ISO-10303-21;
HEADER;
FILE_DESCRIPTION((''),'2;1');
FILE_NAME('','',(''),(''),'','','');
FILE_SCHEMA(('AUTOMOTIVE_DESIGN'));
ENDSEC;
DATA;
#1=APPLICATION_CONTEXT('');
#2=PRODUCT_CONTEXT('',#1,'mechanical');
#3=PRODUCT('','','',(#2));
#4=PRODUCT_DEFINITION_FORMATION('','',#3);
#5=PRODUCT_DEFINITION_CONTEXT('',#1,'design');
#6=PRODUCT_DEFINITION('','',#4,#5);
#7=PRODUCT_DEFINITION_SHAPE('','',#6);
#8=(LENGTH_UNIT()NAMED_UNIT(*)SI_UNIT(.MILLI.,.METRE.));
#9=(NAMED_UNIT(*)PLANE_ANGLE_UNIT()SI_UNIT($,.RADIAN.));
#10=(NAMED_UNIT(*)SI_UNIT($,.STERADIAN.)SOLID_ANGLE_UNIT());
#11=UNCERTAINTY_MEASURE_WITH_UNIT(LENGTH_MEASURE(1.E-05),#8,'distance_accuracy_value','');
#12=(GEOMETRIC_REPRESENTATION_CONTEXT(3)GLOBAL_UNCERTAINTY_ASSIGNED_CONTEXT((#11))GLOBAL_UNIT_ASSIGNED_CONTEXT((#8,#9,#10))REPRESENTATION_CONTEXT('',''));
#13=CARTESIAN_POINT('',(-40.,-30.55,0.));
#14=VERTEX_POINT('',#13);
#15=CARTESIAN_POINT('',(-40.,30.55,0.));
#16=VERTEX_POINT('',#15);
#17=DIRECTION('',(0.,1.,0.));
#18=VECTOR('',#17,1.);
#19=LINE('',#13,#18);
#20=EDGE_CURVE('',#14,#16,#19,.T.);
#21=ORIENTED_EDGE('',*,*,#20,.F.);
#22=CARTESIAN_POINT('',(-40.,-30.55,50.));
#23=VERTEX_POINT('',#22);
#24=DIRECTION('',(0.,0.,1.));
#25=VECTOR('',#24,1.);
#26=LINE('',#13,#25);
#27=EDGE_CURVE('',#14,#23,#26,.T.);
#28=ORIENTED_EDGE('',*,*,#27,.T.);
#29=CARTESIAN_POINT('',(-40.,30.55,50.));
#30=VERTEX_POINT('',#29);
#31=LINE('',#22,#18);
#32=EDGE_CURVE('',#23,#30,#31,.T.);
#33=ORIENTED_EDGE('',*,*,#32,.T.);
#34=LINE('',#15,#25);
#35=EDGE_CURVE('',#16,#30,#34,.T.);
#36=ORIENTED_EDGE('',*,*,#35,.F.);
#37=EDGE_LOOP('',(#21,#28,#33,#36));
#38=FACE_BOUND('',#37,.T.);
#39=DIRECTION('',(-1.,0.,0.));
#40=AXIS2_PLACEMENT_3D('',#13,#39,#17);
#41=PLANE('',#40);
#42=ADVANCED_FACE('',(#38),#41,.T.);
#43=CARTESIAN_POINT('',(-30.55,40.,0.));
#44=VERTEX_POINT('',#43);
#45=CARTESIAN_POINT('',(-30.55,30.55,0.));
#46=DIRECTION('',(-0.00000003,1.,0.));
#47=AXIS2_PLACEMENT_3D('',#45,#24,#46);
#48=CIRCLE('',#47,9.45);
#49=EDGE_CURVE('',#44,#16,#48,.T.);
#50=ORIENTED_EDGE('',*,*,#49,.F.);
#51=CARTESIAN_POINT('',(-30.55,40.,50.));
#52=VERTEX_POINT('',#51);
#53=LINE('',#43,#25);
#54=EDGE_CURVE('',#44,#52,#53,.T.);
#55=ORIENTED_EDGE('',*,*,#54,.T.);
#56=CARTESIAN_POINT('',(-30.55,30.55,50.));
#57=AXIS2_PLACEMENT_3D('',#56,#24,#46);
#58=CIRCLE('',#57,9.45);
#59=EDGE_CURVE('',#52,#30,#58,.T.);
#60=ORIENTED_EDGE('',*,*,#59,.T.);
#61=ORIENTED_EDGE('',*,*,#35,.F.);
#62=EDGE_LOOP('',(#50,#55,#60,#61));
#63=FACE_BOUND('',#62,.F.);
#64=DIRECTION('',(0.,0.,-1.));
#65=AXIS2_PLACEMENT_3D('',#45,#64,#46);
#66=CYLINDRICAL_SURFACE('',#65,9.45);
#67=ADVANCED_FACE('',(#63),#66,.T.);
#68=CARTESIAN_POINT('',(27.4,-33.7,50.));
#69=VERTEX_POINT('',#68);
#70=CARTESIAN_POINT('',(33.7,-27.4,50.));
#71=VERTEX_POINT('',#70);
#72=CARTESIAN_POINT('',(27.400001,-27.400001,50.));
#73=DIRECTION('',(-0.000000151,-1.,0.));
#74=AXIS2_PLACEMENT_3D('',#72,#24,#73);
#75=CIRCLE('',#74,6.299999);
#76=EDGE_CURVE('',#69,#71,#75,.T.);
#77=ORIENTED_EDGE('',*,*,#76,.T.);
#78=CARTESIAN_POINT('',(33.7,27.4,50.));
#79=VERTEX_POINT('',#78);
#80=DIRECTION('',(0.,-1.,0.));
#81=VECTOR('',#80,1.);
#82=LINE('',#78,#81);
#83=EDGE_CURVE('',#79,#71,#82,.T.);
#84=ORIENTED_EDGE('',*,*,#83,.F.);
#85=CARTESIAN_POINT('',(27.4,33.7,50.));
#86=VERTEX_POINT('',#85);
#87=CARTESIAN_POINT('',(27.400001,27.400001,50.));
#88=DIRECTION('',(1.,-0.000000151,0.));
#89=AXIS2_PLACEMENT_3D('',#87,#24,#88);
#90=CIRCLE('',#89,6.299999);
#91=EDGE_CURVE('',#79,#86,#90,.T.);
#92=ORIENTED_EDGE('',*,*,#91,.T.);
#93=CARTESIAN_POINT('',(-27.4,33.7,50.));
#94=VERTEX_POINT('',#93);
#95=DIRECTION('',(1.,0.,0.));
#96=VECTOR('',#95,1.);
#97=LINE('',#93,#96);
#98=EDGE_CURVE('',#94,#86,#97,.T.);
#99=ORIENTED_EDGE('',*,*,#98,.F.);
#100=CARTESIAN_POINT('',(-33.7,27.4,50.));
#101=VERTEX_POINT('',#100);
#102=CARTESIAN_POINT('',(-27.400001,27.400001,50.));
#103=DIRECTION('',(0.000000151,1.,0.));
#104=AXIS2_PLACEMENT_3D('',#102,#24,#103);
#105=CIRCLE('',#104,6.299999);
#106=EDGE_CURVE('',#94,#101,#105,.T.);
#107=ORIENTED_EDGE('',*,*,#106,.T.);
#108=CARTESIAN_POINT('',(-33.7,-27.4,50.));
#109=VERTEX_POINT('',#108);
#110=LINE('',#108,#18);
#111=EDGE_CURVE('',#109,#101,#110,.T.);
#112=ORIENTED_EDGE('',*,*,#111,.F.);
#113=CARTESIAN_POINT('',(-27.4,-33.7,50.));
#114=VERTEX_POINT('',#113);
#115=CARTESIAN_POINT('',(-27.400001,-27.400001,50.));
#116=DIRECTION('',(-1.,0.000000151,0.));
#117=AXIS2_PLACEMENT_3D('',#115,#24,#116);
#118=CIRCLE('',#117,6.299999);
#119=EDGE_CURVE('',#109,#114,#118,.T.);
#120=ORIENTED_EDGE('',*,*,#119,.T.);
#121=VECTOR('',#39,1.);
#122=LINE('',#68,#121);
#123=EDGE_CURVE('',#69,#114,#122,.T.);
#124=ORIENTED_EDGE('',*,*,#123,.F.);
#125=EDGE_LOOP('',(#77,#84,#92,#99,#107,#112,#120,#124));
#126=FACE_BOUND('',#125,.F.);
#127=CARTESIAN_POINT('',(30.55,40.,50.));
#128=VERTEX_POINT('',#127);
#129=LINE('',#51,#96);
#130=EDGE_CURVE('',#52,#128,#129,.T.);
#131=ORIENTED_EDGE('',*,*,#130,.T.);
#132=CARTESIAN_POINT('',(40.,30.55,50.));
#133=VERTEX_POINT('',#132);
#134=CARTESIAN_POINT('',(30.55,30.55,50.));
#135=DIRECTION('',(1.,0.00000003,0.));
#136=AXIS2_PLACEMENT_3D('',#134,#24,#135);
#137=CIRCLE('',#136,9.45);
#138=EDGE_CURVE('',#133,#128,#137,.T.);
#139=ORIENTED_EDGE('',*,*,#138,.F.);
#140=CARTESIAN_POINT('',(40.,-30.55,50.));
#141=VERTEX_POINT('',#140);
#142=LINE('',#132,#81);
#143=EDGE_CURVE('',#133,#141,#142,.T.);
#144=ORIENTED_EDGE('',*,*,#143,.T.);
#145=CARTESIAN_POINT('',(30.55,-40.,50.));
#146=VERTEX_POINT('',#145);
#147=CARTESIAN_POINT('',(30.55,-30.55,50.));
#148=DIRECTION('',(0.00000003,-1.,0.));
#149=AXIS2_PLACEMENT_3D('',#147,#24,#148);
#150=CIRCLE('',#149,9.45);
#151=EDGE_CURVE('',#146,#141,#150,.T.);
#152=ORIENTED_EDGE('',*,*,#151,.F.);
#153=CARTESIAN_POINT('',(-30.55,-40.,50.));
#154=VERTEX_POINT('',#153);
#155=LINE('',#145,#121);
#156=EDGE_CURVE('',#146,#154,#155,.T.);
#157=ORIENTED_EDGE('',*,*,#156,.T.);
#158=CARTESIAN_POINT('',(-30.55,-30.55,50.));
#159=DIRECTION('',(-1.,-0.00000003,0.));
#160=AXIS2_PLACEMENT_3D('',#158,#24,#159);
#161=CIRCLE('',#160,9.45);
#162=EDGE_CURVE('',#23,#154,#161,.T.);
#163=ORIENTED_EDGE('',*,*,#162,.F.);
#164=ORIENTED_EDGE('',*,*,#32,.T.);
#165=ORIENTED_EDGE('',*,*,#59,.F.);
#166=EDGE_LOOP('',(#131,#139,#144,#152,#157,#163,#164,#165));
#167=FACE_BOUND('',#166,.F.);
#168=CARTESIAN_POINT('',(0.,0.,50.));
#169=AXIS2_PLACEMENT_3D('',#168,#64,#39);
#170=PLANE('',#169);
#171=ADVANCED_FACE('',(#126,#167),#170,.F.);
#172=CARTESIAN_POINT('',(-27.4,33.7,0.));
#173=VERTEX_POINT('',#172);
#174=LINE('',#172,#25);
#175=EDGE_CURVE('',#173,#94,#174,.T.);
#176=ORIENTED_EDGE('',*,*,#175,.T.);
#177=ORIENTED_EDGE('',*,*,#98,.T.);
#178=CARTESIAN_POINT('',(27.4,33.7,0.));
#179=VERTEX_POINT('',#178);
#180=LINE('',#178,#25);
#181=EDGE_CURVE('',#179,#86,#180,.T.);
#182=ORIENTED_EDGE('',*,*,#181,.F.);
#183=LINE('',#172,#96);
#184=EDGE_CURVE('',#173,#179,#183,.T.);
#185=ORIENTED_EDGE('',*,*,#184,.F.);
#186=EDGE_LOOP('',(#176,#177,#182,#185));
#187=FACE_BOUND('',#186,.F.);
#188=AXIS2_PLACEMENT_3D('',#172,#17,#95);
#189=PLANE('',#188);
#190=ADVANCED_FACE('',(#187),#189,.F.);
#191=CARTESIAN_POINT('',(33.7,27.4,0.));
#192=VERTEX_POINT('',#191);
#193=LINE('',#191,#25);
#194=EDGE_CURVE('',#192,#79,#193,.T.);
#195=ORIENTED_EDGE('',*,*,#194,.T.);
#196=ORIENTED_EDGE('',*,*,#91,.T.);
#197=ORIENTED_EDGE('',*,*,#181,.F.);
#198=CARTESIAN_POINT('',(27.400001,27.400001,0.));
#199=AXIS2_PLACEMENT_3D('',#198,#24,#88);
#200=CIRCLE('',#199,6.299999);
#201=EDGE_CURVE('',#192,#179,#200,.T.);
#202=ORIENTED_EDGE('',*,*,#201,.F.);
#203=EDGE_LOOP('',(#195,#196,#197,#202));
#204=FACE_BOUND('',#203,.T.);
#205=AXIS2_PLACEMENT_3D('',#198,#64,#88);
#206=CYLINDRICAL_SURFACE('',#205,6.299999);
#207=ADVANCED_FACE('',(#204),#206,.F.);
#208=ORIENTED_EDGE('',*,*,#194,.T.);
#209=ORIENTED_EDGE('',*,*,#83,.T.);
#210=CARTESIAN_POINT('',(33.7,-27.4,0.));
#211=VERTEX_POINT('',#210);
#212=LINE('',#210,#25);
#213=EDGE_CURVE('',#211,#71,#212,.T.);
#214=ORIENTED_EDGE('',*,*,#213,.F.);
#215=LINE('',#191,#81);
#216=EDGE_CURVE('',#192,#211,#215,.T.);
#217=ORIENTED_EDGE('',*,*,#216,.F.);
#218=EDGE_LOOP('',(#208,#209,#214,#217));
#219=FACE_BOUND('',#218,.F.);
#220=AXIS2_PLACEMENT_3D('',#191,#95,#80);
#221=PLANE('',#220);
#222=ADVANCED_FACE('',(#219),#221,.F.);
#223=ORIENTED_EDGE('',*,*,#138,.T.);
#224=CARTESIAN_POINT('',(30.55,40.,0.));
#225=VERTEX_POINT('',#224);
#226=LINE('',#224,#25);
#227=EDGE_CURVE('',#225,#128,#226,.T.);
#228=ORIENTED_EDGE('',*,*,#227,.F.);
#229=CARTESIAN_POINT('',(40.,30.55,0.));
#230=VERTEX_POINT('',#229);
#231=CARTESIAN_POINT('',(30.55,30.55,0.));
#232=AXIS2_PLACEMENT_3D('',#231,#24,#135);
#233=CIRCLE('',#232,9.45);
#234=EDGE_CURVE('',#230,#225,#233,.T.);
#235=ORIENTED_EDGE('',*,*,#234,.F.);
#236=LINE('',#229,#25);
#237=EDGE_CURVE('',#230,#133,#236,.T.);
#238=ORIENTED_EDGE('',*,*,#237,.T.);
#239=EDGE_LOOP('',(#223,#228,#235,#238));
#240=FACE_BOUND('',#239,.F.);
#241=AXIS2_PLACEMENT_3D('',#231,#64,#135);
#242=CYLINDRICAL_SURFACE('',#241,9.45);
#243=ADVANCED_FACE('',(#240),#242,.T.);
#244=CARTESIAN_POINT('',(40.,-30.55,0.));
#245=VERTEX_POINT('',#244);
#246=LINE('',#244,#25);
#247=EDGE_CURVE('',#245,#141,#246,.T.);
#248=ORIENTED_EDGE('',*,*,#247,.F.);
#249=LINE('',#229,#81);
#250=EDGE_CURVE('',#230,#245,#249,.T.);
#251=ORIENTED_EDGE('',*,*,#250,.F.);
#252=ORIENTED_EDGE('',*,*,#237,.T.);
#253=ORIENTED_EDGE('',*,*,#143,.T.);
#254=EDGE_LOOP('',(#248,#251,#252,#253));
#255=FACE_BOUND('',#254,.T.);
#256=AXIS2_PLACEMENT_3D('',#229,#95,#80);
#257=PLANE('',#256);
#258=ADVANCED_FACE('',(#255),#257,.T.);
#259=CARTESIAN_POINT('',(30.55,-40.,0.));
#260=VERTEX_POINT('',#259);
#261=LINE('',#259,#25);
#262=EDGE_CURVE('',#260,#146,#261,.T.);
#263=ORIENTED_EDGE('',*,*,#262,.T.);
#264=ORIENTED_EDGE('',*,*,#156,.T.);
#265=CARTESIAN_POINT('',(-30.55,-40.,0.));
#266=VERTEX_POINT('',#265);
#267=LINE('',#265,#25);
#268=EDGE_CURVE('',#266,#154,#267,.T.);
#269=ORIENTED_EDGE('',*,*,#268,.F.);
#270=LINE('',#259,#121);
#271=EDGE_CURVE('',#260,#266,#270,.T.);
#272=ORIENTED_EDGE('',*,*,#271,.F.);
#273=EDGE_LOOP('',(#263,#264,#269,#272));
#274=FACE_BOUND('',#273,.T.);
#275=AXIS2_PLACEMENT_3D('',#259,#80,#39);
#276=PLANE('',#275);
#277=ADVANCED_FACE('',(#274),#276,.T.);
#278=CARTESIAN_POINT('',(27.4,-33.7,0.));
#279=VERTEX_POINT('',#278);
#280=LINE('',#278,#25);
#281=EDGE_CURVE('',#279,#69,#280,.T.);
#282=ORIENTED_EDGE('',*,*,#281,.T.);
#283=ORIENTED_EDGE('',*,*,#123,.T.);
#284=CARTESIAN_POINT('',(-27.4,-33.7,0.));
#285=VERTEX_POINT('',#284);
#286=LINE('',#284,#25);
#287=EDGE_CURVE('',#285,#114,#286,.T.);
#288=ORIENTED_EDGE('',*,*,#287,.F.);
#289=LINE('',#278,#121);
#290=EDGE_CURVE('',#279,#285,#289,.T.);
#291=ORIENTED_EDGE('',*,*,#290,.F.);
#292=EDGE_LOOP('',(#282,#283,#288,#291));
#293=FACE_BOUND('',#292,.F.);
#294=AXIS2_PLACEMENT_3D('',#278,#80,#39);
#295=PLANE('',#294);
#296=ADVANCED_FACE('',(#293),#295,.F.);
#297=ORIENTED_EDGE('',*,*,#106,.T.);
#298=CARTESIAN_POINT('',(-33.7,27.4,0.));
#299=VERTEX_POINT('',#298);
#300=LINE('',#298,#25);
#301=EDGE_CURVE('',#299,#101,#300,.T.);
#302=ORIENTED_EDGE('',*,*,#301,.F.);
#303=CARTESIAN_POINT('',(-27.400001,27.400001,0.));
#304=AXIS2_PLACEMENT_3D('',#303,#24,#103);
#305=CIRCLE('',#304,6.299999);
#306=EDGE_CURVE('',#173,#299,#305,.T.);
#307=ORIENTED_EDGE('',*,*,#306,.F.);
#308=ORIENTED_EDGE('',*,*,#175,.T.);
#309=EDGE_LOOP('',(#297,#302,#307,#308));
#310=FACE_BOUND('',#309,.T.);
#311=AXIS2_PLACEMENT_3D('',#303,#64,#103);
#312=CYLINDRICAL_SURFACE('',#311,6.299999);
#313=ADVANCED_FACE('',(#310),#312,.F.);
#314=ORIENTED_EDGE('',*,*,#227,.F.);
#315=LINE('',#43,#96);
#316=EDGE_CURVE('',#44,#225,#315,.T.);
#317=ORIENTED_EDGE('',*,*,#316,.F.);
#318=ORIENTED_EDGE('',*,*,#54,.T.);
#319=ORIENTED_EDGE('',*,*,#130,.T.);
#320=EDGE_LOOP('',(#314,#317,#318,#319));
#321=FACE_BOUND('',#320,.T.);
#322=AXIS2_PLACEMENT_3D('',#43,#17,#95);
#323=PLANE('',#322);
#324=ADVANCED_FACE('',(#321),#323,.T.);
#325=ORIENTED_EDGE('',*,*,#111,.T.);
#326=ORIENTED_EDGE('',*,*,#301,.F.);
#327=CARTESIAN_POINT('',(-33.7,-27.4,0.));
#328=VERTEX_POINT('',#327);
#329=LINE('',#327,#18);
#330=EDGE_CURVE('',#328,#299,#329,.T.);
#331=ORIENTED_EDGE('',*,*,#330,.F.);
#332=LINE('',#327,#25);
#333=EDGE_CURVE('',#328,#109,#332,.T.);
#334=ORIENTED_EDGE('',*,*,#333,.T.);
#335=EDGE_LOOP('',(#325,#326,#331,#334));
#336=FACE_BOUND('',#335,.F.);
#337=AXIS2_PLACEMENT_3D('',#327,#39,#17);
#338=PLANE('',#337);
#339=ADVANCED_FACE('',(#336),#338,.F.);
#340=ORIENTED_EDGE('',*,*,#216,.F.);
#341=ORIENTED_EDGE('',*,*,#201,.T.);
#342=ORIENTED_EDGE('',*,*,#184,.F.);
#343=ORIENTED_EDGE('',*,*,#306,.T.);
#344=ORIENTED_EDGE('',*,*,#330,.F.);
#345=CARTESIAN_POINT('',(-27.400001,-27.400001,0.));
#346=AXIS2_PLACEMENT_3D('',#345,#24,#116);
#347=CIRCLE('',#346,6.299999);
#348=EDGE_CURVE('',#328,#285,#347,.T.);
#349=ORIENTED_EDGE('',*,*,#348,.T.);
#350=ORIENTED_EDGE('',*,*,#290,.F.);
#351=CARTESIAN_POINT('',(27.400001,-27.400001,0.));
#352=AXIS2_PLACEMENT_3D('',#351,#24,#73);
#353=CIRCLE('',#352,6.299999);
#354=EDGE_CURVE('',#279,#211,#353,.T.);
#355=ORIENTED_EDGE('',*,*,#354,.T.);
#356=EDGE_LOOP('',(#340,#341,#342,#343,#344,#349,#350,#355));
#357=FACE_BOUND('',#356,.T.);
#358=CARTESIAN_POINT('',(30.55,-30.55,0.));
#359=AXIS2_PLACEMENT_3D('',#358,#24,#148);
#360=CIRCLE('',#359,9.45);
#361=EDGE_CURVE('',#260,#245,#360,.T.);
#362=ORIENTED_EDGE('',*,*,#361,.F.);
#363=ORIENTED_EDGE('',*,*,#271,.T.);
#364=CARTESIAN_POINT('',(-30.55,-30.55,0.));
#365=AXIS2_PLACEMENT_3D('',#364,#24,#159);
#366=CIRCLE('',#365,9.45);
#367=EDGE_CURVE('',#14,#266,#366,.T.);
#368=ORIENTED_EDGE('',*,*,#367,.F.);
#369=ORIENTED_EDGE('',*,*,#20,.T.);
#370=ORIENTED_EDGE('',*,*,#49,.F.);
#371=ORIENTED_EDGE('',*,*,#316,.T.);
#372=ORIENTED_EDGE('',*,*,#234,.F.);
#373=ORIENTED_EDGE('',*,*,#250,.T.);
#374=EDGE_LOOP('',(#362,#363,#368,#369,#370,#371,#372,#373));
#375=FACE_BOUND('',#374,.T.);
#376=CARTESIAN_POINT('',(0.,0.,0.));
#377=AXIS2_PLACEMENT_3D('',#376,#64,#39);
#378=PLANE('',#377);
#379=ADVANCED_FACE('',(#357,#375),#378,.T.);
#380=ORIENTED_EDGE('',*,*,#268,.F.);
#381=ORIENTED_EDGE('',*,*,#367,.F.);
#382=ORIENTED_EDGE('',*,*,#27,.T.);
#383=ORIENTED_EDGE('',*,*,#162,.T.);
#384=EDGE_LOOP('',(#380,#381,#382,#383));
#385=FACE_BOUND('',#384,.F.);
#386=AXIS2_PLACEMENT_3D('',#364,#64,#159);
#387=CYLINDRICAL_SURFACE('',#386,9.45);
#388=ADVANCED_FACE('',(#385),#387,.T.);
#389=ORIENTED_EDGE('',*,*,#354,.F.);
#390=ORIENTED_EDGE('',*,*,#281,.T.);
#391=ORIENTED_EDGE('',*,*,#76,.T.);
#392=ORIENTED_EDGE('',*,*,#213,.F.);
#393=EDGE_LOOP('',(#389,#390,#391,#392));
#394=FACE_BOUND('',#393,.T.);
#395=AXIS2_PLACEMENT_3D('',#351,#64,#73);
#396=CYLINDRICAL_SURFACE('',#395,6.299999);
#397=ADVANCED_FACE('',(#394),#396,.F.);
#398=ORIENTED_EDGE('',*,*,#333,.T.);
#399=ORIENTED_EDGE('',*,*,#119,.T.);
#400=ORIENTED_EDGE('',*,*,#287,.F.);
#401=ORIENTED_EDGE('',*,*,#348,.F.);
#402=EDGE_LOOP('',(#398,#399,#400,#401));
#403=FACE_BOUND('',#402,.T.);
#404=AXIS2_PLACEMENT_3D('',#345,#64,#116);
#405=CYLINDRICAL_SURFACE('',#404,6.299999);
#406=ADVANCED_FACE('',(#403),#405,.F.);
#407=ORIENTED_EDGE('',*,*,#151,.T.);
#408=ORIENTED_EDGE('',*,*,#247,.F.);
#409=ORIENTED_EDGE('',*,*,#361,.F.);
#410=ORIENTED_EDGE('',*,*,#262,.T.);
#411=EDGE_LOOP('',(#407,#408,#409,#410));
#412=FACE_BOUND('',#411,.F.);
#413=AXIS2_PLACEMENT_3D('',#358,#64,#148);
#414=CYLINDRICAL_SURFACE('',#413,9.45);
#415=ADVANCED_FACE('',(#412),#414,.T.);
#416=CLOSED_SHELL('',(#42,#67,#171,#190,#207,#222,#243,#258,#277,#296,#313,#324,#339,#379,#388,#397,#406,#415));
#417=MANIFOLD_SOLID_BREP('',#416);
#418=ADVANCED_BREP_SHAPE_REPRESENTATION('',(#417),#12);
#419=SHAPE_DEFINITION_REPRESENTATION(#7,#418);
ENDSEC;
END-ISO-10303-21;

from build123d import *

# Parameters (mm, degrees)
EXTRUDE_DEPTH = 50


with BuildPart() as part:
    # Sketch → Extrude (new body)
    with BuildSketch(Plane.XY):
        with BuildLine():
            Line((-30.55, 40), (30.55, 40))
            ThreePointArc((40, 30.55), (37.232159, 37.232159), (30.55, 40))
            Line((40, 30.55), (40, -30.55))
            ThreePointArc((30.55, -40), (37.232159, -37.232159), (40, -30.55))
            Line((30.55, -40), (-30.55, -40))
            ThreePointArc((-40, -30.55), (-37.232159, -37.232159), (-30.55, -40))
            Line((-40, -30.55), (-40, 30.55))
            ThreePointArc((-30.55, 40), (-37.232159, 37.232159), (-40, 30.55))
        make_face()
        with BuildLine():
            Line((-27.4, 33.7), (27.4, 33.7))
            ThreePointArc((33.7, 27.4), (31.854773, 31.854773), (27.4, 33.7))
            Line((33.7, 27.4), (33.7, -27.4))
            ThreePointArc((27.4, -33.7), (31.854773, -31.854773), (33.7, -27.4))
            Line((27.4, -33.7), (-27.4, -33.7))
            ThreePointArc((-33.7, -27.4), (-31.854773, -31.854773), (-27.4, -33.7))
            Line((-33.7, -27.4), (-33.7, 27.4))
            ThreePointArc((-27.4, 33.7), (-31.854773, 31.854773), (-33.7, 27.4))
        make_face(mode=Mode.SUBTRACT)
    extrude(amount=EXTRUDE_DEPTH)


solid = part.part
